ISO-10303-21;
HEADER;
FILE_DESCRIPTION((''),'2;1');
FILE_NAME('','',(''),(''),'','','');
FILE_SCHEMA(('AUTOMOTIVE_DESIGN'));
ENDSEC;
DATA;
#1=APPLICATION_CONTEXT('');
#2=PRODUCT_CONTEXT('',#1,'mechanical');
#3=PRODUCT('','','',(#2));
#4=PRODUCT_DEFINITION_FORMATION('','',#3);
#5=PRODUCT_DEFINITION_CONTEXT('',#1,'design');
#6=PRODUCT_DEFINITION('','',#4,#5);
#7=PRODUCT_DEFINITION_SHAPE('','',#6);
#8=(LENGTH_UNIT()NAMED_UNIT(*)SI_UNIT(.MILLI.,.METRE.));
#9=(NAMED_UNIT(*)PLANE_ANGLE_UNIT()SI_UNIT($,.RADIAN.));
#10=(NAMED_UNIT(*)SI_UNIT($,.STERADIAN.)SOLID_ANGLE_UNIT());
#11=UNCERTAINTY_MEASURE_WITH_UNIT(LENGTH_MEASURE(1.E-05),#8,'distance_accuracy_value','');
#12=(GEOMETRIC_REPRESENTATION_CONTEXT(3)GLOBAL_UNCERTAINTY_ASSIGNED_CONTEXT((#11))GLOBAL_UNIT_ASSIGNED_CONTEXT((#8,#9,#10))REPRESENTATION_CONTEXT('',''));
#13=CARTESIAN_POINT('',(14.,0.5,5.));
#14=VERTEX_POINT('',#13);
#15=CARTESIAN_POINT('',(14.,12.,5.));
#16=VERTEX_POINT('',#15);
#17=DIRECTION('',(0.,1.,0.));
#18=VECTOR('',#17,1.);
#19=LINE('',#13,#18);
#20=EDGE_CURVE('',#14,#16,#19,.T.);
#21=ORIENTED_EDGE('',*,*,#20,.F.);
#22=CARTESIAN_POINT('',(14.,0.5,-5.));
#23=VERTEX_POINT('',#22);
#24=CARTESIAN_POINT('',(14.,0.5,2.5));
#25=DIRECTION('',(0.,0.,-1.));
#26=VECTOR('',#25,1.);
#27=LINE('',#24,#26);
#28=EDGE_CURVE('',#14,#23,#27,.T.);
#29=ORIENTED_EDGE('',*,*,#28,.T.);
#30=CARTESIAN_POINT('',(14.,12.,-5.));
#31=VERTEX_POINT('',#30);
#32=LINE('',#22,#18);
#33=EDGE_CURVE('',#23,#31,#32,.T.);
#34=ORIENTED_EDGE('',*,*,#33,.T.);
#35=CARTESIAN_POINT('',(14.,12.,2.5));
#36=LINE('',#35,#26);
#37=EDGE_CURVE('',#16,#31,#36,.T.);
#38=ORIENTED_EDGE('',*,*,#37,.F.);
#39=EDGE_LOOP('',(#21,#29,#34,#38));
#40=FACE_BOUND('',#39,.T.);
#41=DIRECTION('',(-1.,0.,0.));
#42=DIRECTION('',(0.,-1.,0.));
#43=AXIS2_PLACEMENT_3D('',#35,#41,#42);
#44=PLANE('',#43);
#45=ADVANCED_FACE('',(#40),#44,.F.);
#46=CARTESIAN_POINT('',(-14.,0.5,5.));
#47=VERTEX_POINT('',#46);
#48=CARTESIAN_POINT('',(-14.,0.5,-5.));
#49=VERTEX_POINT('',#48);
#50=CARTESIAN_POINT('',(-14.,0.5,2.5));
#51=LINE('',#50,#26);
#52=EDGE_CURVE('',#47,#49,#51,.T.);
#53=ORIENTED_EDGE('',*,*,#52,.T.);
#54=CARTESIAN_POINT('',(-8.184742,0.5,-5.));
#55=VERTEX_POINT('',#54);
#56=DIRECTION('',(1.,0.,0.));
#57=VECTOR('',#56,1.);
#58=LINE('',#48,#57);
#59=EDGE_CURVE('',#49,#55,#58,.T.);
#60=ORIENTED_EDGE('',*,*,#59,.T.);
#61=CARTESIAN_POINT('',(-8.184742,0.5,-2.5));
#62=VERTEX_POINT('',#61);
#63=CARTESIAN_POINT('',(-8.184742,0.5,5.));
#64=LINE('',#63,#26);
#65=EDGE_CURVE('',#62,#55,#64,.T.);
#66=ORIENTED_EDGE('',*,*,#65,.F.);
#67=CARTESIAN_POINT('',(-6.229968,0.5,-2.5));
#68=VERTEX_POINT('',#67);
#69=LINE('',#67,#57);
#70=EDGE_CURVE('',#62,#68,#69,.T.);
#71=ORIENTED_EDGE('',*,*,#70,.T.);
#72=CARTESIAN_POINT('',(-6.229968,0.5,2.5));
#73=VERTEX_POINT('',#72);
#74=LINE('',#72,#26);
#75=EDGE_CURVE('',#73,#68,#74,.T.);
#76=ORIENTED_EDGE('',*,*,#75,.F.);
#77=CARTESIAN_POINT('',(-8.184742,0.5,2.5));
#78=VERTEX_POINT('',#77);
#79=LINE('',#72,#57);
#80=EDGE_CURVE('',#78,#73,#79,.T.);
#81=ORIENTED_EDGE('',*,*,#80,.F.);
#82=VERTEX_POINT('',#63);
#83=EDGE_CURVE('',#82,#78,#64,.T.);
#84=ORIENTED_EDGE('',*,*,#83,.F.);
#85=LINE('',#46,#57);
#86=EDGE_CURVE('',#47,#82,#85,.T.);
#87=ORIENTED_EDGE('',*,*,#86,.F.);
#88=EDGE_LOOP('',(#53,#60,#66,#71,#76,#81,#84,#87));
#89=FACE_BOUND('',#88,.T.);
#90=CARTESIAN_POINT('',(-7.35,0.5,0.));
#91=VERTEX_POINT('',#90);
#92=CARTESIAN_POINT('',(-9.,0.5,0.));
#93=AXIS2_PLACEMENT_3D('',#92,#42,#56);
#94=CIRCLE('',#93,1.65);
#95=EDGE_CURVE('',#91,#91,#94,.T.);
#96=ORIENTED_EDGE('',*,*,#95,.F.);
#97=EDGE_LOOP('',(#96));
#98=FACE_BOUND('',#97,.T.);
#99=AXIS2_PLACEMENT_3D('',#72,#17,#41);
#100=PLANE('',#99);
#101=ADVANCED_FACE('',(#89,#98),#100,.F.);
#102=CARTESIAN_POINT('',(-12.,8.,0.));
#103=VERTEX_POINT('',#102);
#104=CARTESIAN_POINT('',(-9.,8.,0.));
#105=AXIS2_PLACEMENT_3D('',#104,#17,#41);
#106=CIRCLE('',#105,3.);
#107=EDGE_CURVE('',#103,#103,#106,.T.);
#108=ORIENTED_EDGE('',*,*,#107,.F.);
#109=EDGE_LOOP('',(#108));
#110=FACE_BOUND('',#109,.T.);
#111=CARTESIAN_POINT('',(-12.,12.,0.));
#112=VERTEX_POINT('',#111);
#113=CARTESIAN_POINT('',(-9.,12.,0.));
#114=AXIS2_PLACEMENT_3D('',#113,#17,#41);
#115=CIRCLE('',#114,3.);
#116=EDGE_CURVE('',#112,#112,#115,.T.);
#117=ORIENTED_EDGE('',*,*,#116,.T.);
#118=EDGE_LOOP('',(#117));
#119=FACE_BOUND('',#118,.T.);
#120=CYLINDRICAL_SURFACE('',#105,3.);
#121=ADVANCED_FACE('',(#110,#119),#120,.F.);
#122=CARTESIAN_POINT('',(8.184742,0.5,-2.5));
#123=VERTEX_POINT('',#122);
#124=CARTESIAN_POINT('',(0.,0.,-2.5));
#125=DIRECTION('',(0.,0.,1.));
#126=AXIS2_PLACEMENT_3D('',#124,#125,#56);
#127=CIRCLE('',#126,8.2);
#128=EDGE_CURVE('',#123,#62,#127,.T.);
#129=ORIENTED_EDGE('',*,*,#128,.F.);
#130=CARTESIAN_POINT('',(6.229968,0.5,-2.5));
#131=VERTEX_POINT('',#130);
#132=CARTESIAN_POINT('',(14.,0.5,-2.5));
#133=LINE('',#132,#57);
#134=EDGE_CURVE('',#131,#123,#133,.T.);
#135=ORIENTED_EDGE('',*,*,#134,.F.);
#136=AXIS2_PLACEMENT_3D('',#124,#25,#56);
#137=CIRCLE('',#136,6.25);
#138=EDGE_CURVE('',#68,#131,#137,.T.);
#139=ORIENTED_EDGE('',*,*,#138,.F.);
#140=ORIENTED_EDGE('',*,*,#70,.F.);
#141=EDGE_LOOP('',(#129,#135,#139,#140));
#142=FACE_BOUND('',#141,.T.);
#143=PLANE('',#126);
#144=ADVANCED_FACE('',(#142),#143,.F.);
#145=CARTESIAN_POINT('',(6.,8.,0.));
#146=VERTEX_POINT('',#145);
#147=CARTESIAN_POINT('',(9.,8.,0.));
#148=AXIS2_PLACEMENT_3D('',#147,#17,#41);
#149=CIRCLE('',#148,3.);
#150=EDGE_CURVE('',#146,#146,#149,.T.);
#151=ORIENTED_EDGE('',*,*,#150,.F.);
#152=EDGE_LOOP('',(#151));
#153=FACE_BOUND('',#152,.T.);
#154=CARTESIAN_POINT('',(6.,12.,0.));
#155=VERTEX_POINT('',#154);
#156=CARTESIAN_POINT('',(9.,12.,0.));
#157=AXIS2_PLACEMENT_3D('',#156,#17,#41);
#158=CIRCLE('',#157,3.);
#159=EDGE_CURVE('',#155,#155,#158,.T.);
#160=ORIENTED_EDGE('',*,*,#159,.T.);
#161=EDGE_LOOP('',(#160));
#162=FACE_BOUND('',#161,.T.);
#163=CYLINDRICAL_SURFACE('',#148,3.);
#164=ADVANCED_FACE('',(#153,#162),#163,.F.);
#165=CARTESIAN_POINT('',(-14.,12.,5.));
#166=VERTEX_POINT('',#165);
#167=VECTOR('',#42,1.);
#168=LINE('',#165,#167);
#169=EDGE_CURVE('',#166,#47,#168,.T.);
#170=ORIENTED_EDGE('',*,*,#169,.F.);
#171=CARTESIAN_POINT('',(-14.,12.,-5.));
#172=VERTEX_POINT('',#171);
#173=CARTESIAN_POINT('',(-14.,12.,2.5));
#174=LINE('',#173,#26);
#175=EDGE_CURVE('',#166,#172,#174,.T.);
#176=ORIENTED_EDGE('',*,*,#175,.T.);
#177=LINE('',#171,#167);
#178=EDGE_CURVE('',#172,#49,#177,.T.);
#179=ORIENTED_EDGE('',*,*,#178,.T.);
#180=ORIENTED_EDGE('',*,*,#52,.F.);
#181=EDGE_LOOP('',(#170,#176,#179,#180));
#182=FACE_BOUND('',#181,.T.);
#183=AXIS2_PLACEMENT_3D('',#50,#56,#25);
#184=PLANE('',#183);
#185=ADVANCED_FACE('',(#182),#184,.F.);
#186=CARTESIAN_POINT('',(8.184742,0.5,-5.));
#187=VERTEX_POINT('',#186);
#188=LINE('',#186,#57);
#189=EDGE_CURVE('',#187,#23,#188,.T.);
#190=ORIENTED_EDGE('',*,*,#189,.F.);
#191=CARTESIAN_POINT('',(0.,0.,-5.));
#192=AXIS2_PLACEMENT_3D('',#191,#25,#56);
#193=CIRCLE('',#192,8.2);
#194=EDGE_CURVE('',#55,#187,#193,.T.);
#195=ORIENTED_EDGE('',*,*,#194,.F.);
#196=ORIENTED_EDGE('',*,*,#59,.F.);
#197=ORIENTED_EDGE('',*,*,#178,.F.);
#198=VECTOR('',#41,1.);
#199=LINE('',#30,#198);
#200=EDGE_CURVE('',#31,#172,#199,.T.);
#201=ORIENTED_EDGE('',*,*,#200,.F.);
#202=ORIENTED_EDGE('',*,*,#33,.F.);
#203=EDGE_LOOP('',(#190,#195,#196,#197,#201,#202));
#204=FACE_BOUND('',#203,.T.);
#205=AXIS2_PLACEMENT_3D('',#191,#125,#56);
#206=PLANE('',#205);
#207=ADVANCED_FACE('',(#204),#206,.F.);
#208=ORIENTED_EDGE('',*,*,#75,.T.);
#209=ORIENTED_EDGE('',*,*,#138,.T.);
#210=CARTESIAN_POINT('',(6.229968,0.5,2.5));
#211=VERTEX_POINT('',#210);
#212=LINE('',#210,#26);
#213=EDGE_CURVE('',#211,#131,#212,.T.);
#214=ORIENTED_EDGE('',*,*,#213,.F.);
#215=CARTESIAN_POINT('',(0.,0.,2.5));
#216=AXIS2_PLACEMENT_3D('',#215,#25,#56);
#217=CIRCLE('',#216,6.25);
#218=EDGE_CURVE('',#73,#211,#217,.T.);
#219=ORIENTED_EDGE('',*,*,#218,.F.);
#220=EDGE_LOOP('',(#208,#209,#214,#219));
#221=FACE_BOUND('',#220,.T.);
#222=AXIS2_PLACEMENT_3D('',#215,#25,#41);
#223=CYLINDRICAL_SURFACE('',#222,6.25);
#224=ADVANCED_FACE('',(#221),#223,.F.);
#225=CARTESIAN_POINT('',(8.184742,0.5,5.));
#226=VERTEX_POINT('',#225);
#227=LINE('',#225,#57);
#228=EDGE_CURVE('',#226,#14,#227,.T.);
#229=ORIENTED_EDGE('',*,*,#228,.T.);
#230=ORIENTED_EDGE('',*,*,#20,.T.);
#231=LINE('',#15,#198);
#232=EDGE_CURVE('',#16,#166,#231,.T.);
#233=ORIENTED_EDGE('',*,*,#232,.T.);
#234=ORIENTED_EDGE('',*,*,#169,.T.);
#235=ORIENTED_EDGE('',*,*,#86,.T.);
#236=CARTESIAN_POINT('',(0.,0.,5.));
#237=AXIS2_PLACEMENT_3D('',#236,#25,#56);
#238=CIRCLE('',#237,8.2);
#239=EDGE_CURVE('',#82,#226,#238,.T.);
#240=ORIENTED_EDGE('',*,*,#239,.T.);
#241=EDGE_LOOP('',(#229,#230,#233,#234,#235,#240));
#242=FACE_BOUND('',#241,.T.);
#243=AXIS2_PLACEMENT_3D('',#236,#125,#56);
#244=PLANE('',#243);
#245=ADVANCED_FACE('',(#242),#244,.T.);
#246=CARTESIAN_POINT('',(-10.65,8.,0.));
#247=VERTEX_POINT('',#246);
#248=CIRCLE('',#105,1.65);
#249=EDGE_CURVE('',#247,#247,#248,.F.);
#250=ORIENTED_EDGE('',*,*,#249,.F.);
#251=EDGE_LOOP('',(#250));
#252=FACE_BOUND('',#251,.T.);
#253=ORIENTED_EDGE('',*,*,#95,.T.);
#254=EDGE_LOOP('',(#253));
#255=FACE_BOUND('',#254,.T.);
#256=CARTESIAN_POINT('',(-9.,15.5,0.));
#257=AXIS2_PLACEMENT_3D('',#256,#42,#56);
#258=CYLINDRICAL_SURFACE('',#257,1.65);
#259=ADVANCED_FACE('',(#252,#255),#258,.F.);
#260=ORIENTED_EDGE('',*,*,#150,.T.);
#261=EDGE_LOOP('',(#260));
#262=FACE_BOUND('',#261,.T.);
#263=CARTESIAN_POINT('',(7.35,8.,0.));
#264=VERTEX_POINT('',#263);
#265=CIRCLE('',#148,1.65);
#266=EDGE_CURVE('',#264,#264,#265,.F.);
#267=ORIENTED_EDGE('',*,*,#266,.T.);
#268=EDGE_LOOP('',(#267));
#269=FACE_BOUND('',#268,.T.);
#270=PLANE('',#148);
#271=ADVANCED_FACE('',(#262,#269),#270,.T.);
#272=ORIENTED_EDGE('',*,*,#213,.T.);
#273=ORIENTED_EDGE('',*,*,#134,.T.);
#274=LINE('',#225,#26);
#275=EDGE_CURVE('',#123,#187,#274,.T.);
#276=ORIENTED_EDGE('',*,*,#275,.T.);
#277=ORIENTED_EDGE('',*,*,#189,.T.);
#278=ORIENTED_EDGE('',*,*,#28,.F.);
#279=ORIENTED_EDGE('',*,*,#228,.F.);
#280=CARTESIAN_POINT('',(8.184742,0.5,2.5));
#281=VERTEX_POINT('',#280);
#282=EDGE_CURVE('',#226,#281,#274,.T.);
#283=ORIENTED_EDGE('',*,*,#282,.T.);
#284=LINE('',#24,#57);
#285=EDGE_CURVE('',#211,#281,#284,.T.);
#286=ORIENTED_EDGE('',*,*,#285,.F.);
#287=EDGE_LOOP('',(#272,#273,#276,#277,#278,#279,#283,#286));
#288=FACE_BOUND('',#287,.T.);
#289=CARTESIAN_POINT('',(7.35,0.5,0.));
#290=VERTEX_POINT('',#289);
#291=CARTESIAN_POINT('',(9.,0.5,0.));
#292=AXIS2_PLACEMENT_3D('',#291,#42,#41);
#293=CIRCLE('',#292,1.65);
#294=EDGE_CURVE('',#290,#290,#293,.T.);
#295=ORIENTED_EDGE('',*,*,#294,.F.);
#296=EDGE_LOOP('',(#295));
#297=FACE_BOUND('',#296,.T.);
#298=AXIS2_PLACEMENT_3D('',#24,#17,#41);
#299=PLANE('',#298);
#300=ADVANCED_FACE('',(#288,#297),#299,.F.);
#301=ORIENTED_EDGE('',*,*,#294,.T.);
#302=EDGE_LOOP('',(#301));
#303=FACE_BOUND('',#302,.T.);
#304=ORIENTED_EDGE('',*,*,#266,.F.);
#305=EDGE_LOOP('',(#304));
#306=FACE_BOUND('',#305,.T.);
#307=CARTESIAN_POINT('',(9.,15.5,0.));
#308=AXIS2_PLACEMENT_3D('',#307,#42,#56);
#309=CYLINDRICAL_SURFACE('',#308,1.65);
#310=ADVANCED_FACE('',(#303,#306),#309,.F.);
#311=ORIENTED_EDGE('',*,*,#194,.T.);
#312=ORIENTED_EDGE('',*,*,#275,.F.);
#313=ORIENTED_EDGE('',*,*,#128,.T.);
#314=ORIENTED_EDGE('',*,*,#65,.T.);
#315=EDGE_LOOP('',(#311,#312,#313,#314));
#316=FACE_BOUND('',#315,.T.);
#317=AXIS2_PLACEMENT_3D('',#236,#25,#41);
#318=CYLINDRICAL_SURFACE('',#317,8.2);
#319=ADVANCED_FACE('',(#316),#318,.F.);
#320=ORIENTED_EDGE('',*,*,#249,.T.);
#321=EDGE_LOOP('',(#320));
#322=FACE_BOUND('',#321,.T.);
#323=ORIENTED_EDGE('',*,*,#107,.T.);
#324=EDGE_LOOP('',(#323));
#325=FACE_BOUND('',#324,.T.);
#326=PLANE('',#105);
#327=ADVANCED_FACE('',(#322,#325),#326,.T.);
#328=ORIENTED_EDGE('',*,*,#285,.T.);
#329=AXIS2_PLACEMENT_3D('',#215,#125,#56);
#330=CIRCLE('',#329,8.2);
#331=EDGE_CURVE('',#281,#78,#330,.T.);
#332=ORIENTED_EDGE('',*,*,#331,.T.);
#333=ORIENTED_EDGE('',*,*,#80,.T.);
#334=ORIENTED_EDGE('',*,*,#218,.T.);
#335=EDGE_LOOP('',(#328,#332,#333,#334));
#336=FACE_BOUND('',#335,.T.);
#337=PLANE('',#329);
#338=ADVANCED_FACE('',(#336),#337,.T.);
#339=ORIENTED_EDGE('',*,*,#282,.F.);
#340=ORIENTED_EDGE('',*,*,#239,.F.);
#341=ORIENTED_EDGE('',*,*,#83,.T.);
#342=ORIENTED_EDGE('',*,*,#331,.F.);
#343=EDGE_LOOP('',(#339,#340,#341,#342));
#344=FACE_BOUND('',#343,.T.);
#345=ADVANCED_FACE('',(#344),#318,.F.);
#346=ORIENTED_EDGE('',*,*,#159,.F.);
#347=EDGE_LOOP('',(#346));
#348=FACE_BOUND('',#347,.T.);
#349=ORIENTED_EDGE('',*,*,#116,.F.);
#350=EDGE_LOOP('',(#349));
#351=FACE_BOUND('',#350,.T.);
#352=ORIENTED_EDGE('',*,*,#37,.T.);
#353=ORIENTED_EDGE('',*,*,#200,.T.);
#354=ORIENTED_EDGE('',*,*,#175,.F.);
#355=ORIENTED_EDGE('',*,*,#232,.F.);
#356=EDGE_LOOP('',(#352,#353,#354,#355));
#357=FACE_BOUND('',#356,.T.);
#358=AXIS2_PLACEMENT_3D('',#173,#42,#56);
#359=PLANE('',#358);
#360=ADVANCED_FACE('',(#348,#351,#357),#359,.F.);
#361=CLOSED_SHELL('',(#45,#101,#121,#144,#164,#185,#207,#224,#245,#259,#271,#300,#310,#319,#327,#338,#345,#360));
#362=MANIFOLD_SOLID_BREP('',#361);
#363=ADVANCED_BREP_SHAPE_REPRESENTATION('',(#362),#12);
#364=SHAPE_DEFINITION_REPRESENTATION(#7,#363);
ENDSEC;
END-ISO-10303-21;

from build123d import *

# Parameters (mm, degrees)
RESSALTO_EXTRUS_O1_DEPTH = 2.5
RESSALTO_EXTRUS_O2_DEPTH = 5
ESBO_O2_R                = 1.65
CORTE_EXTRUS_O1_DEPTH    = 15
ESBO_O4_R                = 3
CORTE_EXTRUS_O2_DEPTH    = 4


with BuildPart() as part:
    # Esboço1 → Ressalto-extrusão1 (new body, symmetric)
    with BuildSketch(Plane.XY):
        with BuildLine():
            Line((-6.229967897, 0.5), (-14, 0.5))
            Line((-14, 0.5), (-14, 12))
            Line((-14, 12), (14, 12))
            Line((14, 12), (14, 0.5))
            Line((14, 0.5), (6.229967897, 0.5))
            ThreePointArc((6.229967897, 0.5), (0, 6.25), (-6.229967897, 0.5))
        make_face()
    extrude(amount=RESSALTO_EXTRUS_O1_DEPTH, both=True)

    # Esboço3 → Ressalto-extrusão2 (add, symmetric)
    with BuildSketch(Plane.XY):
        with BuildLine():
            Line((-14, 12), (-14, 0.5))
            Line((-14, 0.5), (-8.184741902, 0.5))
            ThreePointArc((-8.184741902, 0.5), (0, 8.2), (8.184741902, 0.5))
            Line((8.184741902, 0.5), (14, 0.5))
            Line((14, 0.5), (14, 12))
            Line((14, 12), (-14, 12))
        make_face()
    extrude(amount=RESSALTO_EXTRUS_O2_DEPTH, both=True)

    # Esboço2 → Corte-extrusão1 (cut)
    with BuildSketch(Plane.XZ.offset(-0.5)):
        with Locations((-9, 0)):
            Circle(ESBO_O2_R)
        with Locations((9, 0)):
            Circle(ESBO_O2_R)
    extrude(amount=-CORTE_EXTRUS_O1_DEPTH, mode=Mode.SUBTRACT)

    # Esboço4 → Corte-extrusão2 (cut)
    with BuildSketch(Plane(origin=(0, 12, 0), x_dir=(1, 0, 0), z_dir=(0, 1, 0))):
        with Locations((-9, 0)):
            Circle(ESBO_O4_R)
        with Locations((9, 0)):
            Circle(ESBO_O4_R)
    extrude(amount=-CORTE_EXTRUS_O2_DEPTH, mode=Mode.SUBTRACT)


solid = part.part
